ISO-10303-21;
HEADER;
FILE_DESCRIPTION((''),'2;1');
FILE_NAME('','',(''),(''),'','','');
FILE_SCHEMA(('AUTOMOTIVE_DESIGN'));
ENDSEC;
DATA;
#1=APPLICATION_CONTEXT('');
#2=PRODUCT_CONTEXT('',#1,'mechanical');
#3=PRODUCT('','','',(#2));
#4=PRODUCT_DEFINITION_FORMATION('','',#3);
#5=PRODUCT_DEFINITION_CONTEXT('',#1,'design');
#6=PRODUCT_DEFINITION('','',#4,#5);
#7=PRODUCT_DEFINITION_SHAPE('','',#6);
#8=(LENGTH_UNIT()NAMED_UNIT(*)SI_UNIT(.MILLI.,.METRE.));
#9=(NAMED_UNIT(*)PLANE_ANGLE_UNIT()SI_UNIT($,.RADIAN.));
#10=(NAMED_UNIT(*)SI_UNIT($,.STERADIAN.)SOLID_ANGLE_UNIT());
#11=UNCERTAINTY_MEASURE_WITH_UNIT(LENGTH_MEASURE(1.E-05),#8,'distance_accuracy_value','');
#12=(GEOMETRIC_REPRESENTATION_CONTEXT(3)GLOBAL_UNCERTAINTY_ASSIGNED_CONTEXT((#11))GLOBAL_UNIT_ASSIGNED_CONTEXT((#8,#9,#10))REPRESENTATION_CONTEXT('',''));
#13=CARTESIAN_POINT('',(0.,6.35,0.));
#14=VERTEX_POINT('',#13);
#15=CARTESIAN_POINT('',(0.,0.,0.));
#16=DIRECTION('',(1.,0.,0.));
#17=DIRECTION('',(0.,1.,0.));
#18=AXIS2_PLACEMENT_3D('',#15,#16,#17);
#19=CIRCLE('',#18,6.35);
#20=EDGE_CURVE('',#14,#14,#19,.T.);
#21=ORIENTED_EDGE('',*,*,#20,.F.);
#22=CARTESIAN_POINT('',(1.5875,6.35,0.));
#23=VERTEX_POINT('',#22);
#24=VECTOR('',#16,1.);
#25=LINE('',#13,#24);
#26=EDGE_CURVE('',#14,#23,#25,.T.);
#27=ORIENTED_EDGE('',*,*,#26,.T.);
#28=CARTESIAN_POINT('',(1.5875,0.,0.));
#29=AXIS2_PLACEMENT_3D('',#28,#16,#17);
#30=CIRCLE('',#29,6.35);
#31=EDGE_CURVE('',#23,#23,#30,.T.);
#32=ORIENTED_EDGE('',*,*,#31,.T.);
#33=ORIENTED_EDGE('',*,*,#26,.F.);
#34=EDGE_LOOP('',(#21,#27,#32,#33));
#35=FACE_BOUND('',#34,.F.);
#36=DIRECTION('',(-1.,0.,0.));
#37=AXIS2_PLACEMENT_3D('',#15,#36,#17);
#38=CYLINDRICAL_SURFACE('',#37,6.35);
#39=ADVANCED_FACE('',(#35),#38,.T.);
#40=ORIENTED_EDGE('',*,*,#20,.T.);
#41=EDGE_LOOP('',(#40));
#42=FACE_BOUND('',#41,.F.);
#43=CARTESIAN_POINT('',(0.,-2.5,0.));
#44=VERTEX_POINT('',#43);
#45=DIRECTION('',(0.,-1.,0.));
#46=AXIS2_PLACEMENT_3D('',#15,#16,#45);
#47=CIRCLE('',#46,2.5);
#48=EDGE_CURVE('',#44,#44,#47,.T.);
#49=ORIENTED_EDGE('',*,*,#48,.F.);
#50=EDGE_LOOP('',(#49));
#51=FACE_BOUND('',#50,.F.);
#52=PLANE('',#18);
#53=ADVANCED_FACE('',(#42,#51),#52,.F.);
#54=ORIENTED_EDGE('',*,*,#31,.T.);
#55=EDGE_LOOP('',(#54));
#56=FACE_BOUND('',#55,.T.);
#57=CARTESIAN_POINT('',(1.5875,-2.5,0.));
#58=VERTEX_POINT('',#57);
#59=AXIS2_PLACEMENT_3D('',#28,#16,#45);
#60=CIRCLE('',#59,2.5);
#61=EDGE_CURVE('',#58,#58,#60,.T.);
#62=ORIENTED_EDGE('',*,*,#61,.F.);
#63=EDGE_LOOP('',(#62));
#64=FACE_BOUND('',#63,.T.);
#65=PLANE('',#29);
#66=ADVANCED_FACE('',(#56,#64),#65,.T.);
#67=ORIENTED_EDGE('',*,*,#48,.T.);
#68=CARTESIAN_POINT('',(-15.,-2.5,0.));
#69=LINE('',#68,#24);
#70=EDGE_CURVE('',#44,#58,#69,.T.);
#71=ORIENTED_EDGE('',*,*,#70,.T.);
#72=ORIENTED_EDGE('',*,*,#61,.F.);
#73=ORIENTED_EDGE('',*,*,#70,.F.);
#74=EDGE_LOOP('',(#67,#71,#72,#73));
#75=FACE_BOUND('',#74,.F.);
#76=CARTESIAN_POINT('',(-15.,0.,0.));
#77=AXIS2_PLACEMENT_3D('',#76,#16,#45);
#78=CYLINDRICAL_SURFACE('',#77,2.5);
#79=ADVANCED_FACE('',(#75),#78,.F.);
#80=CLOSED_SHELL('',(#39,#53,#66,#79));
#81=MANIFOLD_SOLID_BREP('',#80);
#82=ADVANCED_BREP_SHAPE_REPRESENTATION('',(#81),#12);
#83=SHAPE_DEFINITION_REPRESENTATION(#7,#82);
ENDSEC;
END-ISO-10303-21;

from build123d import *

# Parameters (mm, degrees)
F0_R     = 6.35
F1_DEPTH = 1.5875
F2_D     = 5
F2_DEPTH = 15


with BuildPart() as f1:
    # F0 (on Right) → F1 (new body)
    with BuildSketch(Plane.YZ):
        Circle(F0_R)
    extrude(amount=F1_DEPTH)

    # F2
    with Locations(Plane(origin=(0, 0, 0), x_dir=(0, 1, 0), z_dir=(-1, 0, 0))):
        with Locations((0, 0)):
            Hole(F2_D / 2, depth=F2_DEPTH)


solid = f1.part
